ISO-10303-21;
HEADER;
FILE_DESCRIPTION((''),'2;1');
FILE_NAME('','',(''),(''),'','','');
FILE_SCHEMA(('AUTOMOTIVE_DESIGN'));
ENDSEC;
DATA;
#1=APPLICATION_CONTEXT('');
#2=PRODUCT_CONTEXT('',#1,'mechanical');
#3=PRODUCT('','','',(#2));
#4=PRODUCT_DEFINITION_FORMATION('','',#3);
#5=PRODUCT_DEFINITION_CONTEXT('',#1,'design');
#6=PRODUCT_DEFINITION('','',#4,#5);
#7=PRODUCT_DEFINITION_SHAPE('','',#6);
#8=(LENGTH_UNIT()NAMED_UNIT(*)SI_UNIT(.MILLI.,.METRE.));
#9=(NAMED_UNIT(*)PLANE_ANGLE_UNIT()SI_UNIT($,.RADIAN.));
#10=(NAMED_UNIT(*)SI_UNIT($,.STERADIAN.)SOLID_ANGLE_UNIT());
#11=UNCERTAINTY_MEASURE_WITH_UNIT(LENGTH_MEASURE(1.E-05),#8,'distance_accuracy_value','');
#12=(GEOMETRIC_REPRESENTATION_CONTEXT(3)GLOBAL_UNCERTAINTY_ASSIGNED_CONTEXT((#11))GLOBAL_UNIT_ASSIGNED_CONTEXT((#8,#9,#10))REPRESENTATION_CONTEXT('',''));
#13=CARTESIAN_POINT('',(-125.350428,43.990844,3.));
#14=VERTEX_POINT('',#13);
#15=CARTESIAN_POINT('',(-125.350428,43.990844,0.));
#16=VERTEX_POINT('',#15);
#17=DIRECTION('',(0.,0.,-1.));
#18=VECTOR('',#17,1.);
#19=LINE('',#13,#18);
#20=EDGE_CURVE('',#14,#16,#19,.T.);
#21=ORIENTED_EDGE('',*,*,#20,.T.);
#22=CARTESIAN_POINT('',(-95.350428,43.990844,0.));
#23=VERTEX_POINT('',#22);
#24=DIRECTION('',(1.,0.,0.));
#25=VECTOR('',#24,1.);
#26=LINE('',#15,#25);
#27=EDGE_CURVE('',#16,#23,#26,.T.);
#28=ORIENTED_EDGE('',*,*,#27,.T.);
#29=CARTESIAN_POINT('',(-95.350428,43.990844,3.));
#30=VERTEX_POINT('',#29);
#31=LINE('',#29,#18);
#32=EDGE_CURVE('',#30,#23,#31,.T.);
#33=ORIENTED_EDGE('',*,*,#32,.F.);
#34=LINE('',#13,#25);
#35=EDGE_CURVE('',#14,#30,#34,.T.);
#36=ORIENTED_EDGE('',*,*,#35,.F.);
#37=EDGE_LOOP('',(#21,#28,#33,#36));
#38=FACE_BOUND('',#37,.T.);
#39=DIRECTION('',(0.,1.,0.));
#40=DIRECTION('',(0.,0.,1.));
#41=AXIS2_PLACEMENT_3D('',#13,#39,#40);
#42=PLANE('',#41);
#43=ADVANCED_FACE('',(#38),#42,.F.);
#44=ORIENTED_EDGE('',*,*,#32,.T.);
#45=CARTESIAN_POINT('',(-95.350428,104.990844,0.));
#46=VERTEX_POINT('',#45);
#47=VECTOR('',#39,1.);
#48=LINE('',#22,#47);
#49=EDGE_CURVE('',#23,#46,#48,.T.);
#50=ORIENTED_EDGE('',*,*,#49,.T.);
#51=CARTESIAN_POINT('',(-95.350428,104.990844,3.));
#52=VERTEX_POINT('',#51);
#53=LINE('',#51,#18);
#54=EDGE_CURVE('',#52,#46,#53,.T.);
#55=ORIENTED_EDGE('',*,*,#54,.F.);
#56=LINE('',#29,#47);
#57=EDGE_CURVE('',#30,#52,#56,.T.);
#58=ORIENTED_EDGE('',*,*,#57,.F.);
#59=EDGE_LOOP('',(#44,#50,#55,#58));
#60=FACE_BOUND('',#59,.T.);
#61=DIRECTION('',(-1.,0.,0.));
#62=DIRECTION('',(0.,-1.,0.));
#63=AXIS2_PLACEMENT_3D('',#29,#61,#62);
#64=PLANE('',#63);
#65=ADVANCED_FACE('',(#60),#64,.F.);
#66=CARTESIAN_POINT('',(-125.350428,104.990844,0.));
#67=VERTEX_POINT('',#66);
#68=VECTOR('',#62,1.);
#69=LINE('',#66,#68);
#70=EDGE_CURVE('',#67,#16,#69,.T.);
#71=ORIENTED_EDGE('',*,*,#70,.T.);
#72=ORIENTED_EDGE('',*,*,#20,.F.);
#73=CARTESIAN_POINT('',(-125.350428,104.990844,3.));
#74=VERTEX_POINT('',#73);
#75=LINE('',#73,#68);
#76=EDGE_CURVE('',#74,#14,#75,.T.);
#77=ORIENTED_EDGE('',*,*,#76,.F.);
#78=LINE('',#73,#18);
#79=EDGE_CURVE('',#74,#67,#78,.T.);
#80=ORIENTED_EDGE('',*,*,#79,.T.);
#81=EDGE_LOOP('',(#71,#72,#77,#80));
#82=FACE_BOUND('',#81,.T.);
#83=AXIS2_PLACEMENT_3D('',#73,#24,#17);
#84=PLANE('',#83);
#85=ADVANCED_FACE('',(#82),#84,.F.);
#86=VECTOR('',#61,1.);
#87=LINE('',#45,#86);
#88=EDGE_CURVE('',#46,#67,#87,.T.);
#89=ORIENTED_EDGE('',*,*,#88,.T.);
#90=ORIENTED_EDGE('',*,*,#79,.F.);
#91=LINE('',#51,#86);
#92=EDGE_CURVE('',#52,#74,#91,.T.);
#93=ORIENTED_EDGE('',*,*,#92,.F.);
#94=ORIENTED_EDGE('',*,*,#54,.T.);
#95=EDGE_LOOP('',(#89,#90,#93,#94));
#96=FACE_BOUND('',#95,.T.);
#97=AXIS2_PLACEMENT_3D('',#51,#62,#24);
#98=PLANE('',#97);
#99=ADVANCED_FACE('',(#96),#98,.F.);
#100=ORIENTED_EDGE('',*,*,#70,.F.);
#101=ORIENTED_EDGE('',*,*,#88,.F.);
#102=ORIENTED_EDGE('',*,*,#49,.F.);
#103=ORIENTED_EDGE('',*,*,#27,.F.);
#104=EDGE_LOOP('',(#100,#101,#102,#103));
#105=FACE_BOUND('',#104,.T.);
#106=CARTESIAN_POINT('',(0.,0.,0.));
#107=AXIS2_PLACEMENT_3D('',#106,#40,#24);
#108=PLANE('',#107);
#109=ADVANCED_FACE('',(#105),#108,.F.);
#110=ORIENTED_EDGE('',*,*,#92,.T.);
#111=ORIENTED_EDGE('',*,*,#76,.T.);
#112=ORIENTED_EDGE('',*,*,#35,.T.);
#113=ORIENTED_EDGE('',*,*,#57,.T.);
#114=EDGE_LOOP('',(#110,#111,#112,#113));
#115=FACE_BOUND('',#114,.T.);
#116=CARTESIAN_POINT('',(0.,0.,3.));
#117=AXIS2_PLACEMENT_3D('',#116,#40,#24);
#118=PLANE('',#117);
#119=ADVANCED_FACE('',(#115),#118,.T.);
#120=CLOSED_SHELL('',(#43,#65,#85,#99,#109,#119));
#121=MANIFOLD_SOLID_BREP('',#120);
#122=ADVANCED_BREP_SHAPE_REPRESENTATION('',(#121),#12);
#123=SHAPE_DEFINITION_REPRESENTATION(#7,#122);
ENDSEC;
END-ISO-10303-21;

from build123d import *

# Parameters (mm, degrees)
MODEL_W             = 30
MODEL_H             = 61
BOSS_EXTRUDE1_DEPTH = 3


with BuildPart() as part:
    # Model → Boss-Extrude1 (new body)
    with BuildSketch(Plane.XY):
        with Locations((-110.350427846, 74.490843821)):
            Rectangle(MODEL_W, MODEL_H)
    extrude(amount=BOSS_EXTRUDE1_DEPTH)


solid = part.part
